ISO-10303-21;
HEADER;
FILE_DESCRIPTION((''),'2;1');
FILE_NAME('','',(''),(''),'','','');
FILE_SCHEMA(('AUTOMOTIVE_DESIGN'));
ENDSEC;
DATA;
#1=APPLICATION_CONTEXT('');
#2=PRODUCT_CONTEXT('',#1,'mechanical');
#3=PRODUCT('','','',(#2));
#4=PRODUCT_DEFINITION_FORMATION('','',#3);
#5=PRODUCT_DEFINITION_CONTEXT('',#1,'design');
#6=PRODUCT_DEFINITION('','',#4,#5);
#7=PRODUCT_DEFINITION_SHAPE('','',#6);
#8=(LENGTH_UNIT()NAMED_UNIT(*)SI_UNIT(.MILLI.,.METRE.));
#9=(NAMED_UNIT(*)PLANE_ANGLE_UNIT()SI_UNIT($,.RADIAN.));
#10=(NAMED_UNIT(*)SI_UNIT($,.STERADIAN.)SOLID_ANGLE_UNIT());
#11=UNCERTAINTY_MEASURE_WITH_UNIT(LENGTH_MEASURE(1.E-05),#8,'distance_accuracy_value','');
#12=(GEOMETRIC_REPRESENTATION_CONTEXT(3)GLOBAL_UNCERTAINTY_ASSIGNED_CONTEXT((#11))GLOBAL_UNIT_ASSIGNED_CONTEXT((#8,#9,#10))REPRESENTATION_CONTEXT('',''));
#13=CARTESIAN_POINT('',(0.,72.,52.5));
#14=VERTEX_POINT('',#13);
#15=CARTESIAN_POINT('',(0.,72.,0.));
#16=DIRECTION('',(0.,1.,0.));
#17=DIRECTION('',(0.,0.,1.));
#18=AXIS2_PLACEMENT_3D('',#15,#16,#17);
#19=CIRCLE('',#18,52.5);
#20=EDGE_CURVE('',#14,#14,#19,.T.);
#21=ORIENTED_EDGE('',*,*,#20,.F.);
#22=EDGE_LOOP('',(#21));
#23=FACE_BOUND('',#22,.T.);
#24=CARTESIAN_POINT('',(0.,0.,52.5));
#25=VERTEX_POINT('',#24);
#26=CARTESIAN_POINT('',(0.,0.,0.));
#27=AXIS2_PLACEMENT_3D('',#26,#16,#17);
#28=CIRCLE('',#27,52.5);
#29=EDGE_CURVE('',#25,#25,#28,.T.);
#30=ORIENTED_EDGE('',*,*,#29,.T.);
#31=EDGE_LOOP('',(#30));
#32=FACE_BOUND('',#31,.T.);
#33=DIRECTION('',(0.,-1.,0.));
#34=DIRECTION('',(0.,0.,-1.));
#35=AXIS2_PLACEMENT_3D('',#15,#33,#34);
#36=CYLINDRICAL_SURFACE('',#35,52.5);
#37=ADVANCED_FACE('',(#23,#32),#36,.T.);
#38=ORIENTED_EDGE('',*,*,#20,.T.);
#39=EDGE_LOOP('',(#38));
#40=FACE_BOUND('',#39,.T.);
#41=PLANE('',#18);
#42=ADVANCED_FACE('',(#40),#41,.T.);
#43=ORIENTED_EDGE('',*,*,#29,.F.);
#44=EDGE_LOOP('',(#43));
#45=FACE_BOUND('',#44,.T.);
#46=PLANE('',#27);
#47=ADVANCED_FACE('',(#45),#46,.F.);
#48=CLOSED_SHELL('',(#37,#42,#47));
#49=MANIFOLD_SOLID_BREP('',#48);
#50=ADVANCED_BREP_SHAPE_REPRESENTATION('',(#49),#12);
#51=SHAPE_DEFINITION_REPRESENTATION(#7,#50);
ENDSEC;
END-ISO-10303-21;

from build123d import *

# Parameters (mm, degrees)
SKETCH_1_R      = 52.5
EXTRUDE_1_DEPTH = 72


with BuildPart() as part:
    # 草图1 → 凸台-拉伸1 (new body)
    with BuildSketch(Plane(origin=(0, 0, 0), x_dir=(1, 0, 0), z_dir=(0, 1, 0))):
        Circle(SKETCH_1_R)
    extrude(amount=EXTRUDE_1_DEPTH)


solid = part.part
